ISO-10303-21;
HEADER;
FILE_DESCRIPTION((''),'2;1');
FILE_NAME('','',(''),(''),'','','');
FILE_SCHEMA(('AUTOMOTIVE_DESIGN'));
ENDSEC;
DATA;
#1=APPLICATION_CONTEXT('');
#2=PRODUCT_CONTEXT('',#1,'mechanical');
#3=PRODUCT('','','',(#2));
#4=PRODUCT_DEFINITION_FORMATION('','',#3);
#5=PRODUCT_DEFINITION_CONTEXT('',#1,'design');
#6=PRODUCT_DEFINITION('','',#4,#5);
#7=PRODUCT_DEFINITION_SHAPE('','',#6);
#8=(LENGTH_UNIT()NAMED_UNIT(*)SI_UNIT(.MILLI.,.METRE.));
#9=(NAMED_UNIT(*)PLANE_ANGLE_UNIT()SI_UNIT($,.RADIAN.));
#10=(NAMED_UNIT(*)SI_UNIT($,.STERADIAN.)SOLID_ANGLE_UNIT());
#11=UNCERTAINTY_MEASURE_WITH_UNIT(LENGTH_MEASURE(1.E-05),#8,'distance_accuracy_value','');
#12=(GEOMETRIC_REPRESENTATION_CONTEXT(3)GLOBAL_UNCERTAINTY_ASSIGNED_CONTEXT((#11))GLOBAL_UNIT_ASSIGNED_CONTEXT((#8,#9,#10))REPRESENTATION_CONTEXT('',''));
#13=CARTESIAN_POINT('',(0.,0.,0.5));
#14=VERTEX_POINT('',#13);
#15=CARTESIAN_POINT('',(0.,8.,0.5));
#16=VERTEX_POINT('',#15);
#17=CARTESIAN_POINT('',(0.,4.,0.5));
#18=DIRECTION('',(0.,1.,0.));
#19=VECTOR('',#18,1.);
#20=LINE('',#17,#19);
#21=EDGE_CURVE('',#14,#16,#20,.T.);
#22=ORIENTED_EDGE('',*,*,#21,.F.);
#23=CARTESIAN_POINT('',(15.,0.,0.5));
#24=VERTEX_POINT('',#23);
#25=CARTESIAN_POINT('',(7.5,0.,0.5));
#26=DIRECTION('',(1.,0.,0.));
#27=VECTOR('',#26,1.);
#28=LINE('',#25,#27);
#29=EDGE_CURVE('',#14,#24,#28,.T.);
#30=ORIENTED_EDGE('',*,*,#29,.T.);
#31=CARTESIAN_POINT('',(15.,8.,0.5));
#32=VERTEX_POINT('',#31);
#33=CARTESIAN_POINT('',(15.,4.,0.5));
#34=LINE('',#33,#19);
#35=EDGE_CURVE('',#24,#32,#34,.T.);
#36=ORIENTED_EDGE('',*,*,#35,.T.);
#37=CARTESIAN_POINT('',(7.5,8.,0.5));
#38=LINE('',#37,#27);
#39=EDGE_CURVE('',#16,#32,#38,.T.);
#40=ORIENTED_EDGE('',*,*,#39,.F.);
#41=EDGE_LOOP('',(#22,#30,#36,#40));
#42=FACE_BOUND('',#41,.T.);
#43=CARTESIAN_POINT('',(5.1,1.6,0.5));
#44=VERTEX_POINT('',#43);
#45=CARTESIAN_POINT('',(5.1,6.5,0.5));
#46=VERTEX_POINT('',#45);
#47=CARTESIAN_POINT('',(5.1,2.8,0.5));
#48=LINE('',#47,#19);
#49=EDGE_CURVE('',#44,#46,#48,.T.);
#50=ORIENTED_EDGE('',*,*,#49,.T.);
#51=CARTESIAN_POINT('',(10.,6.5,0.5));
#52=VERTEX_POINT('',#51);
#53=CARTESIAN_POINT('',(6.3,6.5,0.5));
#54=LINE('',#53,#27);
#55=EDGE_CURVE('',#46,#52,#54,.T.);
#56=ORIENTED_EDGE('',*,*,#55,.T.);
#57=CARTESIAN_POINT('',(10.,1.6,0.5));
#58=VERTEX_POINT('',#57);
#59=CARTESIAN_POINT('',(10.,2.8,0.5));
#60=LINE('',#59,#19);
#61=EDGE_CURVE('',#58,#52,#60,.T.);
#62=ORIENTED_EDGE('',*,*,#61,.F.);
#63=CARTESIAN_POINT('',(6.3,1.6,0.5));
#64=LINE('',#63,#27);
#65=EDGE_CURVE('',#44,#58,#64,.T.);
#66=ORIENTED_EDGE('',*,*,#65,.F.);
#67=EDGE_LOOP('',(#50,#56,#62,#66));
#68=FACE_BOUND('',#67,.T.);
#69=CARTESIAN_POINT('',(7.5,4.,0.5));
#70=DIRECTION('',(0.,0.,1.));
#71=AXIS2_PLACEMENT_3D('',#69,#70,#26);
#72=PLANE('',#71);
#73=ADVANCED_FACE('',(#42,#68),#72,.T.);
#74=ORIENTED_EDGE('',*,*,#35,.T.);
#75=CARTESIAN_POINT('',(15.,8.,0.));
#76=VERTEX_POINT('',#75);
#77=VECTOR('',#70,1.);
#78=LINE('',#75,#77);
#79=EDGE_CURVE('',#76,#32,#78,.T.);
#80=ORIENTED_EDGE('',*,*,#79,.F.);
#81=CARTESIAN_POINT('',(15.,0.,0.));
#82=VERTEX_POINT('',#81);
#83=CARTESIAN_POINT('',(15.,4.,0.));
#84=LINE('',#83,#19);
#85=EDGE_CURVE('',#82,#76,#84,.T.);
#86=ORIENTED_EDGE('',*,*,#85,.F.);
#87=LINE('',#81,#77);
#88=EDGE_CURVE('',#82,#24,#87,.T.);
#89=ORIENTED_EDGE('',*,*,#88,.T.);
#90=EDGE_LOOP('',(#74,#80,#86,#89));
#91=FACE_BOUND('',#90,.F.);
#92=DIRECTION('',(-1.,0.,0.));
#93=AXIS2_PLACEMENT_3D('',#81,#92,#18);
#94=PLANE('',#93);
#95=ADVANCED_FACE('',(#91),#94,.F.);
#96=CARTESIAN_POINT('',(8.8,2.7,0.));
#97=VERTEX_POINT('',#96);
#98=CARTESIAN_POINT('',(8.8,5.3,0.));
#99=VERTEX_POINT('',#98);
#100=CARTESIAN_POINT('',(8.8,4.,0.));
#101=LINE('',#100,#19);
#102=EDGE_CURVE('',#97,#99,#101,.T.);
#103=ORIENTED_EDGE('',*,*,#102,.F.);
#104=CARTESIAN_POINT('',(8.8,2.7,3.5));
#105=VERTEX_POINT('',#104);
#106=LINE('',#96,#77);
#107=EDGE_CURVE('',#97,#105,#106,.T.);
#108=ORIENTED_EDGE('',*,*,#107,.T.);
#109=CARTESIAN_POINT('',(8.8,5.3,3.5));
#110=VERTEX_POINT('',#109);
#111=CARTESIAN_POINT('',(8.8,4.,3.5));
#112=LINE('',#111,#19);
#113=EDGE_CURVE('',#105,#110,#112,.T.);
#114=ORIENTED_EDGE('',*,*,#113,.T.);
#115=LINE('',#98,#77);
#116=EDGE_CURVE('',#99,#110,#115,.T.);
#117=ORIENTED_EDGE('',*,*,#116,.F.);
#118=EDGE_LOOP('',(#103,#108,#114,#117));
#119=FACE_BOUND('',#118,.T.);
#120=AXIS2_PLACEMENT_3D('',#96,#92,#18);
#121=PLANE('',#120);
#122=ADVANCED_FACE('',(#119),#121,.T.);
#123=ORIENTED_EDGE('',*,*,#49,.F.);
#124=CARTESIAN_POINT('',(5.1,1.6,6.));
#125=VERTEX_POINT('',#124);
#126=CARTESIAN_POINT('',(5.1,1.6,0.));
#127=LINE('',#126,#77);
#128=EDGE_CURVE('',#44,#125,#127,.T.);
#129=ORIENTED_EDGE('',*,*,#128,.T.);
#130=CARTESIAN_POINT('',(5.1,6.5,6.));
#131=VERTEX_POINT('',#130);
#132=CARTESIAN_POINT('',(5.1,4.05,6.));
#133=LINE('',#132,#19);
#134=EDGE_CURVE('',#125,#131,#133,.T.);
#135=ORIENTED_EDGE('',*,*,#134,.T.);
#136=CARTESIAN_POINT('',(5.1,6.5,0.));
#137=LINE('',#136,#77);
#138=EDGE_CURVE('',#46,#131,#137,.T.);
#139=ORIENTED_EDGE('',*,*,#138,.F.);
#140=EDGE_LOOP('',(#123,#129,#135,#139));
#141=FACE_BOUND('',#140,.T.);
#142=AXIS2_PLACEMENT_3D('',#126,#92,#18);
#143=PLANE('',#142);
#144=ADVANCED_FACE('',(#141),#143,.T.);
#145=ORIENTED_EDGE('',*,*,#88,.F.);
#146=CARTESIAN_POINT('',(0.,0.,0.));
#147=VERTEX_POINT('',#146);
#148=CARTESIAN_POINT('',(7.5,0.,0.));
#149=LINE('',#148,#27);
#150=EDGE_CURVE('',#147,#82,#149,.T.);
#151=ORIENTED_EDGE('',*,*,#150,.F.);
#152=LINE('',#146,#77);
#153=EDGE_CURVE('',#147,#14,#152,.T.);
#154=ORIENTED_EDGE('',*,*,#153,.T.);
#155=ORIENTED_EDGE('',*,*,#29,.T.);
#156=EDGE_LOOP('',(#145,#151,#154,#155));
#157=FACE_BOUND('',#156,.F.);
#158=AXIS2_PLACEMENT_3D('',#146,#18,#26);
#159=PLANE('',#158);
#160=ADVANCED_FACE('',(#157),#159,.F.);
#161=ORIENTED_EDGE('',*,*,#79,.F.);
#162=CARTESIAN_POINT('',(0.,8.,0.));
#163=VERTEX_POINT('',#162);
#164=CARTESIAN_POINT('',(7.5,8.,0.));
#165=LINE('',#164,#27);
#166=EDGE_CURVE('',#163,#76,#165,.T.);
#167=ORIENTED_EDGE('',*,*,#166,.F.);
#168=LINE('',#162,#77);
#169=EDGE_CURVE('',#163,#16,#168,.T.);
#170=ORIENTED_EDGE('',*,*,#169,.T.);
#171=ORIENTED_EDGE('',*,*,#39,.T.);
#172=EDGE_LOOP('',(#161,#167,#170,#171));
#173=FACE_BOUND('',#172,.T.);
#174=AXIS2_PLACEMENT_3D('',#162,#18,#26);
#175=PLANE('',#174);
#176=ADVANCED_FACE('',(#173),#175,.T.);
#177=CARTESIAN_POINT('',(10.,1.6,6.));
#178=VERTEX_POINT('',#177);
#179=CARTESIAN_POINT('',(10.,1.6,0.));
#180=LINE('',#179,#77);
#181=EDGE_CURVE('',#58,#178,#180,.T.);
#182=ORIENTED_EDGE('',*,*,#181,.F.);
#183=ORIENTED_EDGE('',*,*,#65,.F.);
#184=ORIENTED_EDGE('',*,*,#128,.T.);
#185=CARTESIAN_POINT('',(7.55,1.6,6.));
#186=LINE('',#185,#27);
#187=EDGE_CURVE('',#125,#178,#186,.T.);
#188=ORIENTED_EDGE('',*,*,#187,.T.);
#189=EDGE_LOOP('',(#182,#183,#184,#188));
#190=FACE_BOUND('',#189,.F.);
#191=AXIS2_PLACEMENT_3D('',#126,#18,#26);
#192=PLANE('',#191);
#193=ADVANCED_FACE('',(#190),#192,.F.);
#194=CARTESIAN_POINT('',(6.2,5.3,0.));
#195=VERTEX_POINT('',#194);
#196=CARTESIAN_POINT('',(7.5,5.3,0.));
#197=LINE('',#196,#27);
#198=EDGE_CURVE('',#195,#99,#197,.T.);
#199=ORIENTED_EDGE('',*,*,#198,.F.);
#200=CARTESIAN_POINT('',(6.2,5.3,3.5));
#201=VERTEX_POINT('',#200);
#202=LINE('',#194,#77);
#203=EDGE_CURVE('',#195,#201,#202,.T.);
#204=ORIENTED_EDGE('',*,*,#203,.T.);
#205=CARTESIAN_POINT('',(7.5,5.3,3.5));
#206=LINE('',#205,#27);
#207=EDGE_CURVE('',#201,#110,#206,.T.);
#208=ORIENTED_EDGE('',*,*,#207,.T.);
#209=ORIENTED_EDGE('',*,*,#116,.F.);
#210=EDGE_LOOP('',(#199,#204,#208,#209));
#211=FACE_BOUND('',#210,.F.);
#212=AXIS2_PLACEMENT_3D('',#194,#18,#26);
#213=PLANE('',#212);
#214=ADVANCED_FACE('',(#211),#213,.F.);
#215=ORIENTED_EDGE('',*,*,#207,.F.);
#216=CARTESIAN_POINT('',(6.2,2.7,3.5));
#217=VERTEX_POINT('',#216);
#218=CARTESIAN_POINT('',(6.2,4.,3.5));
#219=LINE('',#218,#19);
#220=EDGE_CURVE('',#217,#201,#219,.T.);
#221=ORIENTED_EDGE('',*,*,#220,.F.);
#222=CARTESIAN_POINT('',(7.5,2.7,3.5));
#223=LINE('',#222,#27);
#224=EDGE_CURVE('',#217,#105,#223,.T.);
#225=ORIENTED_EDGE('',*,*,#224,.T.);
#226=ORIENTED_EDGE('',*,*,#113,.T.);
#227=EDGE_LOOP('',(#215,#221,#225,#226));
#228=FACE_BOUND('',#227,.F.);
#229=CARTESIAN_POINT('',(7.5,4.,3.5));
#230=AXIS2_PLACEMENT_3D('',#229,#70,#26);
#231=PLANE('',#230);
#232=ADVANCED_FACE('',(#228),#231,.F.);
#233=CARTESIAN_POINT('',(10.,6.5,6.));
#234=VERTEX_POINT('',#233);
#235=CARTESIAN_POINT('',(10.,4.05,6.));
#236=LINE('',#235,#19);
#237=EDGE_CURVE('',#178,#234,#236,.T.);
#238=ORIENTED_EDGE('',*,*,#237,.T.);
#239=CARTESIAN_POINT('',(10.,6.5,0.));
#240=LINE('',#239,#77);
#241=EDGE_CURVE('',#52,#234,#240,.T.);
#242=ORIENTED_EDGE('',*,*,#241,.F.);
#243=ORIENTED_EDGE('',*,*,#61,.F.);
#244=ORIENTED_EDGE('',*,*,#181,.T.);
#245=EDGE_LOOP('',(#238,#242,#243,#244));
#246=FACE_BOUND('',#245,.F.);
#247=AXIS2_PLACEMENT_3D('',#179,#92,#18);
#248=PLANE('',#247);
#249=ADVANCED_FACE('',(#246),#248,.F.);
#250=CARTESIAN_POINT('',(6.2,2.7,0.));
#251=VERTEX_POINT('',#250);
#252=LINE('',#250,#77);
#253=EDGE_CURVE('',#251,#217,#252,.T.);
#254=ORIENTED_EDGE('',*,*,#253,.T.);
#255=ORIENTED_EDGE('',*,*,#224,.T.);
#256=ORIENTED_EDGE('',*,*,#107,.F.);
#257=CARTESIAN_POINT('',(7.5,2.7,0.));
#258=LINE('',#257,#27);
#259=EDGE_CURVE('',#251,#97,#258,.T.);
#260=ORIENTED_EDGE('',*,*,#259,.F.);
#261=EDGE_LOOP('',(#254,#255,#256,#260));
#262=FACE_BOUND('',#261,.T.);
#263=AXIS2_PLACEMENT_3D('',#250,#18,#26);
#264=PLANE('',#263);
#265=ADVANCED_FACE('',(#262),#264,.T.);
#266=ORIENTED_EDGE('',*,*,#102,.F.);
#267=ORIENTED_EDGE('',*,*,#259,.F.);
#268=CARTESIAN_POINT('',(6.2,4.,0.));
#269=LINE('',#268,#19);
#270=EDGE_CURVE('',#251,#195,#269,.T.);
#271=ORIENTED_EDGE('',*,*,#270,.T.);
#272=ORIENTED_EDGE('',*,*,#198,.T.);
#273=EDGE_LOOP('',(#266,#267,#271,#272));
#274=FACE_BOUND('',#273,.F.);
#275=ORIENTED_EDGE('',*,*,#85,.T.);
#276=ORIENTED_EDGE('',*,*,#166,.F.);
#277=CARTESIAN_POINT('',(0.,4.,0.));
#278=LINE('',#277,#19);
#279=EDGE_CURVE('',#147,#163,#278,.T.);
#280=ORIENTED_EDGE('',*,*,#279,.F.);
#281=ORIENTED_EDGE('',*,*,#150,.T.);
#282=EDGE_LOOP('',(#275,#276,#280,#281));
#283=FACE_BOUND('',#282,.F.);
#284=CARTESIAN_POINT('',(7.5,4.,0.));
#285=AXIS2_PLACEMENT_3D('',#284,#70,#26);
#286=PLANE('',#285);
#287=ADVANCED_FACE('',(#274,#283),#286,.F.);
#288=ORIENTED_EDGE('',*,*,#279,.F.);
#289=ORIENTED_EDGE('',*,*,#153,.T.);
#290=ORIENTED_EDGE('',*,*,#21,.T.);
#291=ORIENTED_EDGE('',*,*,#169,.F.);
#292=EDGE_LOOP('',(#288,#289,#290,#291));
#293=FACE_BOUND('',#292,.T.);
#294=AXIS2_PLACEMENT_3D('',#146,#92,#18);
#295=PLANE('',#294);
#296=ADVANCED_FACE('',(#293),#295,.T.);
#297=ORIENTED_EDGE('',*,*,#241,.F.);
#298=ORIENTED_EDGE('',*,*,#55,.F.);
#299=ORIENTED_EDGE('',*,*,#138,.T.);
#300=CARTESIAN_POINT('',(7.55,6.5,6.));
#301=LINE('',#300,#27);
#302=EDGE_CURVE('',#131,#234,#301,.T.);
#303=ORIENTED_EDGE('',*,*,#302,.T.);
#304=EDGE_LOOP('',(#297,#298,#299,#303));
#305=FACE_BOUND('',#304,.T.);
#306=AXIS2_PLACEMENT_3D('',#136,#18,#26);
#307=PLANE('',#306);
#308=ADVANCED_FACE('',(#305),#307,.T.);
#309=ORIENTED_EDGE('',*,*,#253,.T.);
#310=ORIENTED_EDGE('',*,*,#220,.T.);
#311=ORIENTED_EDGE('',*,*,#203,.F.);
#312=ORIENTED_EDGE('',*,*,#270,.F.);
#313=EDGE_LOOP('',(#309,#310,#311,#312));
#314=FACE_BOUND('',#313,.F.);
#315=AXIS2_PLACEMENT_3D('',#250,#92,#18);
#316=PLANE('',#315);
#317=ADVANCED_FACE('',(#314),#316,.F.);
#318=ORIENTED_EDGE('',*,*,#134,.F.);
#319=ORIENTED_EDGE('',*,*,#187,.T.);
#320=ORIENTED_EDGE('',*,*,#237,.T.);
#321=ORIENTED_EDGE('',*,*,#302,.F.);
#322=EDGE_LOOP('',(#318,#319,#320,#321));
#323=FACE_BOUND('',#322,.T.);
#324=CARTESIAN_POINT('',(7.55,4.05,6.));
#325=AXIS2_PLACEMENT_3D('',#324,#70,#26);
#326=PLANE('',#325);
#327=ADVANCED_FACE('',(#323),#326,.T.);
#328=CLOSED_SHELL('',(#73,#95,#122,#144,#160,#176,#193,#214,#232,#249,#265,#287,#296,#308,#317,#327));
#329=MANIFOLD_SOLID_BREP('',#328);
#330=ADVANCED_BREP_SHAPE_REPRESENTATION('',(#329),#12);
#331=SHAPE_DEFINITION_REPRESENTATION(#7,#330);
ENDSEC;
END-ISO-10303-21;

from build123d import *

# Parameters (mm, degrees)
SKETCH001_W  = 2.6
SKETCH001_H  = 2.6
PAD_DEPTH    = 3.5
SKETCH_W     = 15
SKETCH_H     = 8
PAD001_DEPTH = 0.5
SKETCH002_W  = 4.9
SKETCH002_H  = 4.9
PAD002_DEPTH = 6


with BuildPart() as pad:
    # Sketch001 → Pad (new body)
    with BuildSketch(Plane.XY):
        with Locations((7.5, 4)):
            Rectangle(SKETCH001_W, SKETCH001_H)
    extrude(amount=PAD_DEPTH)


with BuildPart() as pad001:
    # Sketch → Pad001 (new body)
    with BuildSketch(Plane.XY):
        with Locations((7.5, 4)):
            Rectangle(SKETCH_W, SKETCH_H)
    extrude(amount=PAD001_DEPTH)


with BuildPart() as cut:
    # Sketch002 → Pad002 (new body)
    with BuildSketch(Plane.XY):
        with Locations((7.55, 4.05)):
            Rectangle(SKETCH002_W, SKETCH002_H)
    extrude(amount=PAD002_DEPTH)

    # Fusion: union Pad001
    add(pad001.part)

    # Cut: cut Pad
    add(pad.part, mode=Mode.SUBTRACT)


solid = cut.part
